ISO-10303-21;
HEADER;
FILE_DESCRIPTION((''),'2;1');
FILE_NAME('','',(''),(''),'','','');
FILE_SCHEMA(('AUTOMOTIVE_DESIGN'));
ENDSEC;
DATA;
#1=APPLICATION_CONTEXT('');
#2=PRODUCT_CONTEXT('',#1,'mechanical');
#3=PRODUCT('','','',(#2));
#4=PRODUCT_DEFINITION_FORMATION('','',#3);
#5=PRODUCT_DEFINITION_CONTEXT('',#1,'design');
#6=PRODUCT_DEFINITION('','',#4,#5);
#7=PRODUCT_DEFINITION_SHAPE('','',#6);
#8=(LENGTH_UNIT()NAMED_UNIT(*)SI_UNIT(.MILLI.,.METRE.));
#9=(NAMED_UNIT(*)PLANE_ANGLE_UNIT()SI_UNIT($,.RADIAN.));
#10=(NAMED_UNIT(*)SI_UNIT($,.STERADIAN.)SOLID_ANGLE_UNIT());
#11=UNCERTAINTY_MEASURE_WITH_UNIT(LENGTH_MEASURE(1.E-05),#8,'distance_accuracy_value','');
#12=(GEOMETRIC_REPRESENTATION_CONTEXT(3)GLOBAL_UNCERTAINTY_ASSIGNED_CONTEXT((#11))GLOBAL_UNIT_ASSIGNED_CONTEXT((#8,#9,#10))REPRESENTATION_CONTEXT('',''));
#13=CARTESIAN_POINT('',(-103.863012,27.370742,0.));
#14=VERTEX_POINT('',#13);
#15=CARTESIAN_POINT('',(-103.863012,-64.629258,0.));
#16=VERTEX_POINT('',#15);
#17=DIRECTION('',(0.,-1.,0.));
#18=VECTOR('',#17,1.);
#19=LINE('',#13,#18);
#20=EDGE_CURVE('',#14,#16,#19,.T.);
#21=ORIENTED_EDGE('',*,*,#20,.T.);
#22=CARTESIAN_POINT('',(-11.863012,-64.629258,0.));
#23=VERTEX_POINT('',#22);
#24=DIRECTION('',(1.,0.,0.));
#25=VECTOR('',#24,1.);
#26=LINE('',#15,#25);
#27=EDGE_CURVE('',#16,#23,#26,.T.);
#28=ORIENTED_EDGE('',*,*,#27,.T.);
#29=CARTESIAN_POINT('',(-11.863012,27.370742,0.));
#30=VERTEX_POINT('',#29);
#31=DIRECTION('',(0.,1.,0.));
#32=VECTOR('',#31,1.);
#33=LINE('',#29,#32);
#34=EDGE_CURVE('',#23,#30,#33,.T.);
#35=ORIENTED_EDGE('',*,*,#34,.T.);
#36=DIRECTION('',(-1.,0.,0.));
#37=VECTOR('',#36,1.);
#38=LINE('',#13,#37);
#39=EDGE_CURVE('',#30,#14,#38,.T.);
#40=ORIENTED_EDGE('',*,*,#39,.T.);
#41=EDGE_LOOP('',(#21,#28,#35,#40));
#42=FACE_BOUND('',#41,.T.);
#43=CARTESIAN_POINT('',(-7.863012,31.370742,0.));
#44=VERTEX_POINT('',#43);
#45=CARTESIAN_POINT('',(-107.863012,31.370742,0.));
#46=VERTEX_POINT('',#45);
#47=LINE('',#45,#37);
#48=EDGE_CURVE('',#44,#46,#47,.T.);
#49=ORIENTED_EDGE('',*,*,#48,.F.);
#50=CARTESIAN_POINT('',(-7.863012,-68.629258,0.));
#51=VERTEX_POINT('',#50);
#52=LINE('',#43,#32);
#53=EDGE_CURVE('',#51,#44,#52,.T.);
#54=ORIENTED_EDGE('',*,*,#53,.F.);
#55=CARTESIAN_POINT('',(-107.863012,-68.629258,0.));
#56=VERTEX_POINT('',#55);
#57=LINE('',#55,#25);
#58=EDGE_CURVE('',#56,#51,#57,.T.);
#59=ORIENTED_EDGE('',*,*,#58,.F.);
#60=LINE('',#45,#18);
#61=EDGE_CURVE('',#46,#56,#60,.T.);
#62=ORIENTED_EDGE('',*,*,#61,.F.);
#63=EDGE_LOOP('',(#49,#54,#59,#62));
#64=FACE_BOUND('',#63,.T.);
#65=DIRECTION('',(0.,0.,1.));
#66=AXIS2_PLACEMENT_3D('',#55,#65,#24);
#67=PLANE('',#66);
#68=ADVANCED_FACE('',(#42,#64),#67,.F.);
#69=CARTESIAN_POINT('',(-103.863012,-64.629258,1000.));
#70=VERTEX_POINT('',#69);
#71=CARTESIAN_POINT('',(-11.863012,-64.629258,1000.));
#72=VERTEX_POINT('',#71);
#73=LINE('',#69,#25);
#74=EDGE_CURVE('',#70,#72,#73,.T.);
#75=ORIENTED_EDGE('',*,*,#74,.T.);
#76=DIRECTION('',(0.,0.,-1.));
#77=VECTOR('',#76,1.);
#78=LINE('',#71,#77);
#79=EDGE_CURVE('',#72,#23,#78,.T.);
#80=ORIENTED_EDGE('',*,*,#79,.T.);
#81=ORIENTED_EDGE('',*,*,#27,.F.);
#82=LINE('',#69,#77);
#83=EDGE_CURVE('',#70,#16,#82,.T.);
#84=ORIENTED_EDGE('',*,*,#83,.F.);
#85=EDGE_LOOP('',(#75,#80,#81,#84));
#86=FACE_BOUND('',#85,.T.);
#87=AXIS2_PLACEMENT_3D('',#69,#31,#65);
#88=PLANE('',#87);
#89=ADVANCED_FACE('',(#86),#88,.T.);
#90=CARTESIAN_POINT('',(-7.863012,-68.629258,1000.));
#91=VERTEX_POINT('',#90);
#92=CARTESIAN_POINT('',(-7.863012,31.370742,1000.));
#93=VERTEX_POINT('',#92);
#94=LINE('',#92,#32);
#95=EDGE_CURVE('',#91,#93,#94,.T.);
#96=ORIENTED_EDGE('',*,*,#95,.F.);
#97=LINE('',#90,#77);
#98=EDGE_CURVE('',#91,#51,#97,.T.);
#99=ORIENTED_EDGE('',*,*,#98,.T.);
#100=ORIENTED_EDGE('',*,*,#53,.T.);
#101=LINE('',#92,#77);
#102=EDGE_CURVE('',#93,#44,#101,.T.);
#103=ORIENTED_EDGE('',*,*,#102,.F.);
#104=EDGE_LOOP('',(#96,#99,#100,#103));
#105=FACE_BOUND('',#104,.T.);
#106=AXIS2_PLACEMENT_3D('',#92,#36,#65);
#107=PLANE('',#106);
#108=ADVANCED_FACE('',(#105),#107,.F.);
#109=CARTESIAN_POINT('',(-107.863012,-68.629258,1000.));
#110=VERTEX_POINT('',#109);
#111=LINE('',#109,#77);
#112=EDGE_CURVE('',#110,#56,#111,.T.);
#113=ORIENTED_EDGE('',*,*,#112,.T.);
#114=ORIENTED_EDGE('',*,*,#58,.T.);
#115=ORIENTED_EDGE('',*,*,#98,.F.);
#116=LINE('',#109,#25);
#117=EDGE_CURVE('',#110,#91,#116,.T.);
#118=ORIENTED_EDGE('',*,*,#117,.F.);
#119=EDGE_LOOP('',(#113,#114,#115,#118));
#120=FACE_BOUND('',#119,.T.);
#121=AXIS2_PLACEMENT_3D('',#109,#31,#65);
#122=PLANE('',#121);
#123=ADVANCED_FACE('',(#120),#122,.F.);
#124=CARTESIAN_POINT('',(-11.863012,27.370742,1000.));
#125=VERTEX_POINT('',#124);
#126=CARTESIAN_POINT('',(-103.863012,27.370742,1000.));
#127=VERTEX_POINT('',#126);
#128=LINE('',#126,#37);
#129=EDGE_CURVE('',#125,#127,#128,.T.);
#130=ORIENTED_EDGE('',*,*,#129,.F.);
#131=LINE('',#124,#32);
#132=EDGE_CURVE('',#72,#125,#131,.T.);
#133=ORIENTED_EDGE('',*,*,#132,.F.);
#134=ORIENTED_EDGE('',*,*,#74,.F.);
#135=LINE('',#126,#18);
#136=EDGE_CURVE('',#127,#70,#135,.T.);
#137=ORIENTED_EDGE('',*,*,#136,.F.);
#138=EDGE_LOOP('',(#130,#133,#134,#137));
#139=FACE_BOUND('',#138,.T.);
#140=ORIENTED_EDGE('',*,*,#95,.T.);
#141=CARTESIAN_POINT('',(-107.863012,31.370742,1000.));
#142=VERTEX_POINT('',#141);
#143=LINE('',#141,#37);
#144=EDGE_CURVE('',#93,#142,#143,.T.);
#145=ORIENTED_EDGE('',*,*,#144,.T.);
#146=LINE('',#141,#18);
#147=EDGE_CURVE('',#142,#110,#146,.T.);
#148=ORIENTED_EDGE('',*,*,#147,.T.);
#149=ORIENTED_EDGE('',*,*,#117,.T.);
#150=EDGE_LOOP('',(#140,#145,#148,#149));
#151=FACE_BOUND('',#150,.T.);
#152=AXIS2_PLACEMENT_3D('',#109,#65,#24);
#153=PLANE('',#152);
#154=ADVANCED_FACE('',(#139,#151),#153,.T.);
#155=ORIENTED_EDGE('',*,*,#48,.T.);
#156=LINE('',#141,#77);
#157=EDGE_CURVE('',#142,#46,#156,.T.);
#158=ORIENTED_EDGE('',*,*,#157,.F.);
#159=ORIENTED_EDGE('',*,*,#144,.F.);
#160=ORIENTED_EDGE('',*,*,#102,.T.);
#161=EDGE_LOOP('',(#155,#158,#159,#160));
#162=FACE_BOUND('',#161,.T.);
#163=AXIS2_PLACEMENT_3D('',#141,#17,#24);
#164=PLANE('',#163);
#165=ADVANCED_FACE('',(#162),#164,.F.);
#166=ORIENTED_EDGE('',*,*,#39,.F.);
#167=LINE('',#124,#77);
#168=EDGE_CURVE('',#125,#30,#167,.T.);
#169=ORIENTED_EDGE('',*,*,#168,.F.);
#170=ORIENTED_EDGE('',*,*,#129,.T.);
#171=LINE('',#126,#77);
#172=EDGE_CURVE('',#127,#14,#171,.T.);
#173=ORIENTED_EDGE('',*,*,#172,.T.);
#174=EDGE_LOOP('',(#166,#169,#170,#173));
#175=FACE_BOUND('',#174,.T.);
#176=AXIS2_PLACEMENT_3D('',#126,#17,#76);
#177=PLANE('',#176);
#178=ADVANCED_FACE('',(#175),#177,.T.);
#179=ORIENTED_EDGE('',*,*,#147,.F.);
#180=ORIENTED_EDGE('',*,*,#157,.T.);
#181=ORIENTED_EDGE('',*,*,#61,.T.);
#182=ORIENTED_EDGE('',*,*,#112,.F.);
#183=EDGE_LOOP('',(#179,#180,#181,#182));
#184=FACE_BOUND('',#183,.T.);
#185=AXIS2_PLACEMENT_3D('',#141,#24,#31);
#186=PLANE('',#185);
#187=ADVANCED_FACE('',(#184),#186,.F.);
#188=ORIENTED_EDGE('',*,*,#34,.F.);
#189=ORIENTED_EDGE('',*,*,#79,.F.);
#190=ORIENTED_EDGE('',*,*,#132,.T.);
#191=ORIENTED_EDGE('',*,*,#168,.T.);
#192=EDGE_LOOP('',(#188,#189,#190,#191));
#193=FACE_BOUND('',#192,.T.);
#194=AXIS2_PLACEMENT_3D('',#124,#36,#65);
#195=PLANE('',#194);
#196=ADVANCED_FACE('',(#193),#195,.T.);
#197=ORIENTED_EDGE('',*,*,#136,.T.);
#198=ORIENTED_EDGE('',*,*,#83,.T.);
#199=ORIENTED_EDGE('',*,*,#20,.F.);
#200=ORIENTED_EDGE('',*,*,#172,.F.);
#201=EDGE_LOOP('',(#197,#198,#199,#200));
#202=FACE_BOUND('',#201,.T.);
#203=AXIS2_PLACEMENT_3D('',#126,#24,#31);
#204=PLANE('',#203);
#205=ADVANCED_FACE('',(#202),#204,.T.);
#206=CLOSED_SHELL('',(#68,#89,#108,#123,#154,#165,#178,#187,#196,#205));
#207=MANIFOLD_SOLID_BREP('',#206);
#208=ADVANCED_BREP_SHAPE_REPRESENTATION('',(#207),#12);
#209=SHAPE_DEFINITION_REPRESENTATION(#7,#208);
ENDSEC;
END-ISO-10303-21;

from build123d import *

# Parameters (mm, degrees)
CROQUIS1_W              = 100
CROQUIS1_H              = 100
CROQUIS1_W_2            = 92
CROQUIS1_H_2            = 92
SALIENTE_EXTRUIR1_DEPTH = 1000


with BuildPart() as part:
    # Croquis1 → Saliente-Extruir1 (new body)
    with BuildSketch(Plane.XY):
        with Locations((-57.863012306, -18.62925801)):
            Rectangle(CROQUIS1_W, CROQUIS1_H)
        with Locations((-57.863012306, -18.62925801)):
            Rectangle(CROQUIS1_W_2, CROQUIS1_H_2, mode=Mode.SUBTRACT)
    extrude(amount=SALIENTE_EXTRUIR1_DEPTH)


solid = part.part
